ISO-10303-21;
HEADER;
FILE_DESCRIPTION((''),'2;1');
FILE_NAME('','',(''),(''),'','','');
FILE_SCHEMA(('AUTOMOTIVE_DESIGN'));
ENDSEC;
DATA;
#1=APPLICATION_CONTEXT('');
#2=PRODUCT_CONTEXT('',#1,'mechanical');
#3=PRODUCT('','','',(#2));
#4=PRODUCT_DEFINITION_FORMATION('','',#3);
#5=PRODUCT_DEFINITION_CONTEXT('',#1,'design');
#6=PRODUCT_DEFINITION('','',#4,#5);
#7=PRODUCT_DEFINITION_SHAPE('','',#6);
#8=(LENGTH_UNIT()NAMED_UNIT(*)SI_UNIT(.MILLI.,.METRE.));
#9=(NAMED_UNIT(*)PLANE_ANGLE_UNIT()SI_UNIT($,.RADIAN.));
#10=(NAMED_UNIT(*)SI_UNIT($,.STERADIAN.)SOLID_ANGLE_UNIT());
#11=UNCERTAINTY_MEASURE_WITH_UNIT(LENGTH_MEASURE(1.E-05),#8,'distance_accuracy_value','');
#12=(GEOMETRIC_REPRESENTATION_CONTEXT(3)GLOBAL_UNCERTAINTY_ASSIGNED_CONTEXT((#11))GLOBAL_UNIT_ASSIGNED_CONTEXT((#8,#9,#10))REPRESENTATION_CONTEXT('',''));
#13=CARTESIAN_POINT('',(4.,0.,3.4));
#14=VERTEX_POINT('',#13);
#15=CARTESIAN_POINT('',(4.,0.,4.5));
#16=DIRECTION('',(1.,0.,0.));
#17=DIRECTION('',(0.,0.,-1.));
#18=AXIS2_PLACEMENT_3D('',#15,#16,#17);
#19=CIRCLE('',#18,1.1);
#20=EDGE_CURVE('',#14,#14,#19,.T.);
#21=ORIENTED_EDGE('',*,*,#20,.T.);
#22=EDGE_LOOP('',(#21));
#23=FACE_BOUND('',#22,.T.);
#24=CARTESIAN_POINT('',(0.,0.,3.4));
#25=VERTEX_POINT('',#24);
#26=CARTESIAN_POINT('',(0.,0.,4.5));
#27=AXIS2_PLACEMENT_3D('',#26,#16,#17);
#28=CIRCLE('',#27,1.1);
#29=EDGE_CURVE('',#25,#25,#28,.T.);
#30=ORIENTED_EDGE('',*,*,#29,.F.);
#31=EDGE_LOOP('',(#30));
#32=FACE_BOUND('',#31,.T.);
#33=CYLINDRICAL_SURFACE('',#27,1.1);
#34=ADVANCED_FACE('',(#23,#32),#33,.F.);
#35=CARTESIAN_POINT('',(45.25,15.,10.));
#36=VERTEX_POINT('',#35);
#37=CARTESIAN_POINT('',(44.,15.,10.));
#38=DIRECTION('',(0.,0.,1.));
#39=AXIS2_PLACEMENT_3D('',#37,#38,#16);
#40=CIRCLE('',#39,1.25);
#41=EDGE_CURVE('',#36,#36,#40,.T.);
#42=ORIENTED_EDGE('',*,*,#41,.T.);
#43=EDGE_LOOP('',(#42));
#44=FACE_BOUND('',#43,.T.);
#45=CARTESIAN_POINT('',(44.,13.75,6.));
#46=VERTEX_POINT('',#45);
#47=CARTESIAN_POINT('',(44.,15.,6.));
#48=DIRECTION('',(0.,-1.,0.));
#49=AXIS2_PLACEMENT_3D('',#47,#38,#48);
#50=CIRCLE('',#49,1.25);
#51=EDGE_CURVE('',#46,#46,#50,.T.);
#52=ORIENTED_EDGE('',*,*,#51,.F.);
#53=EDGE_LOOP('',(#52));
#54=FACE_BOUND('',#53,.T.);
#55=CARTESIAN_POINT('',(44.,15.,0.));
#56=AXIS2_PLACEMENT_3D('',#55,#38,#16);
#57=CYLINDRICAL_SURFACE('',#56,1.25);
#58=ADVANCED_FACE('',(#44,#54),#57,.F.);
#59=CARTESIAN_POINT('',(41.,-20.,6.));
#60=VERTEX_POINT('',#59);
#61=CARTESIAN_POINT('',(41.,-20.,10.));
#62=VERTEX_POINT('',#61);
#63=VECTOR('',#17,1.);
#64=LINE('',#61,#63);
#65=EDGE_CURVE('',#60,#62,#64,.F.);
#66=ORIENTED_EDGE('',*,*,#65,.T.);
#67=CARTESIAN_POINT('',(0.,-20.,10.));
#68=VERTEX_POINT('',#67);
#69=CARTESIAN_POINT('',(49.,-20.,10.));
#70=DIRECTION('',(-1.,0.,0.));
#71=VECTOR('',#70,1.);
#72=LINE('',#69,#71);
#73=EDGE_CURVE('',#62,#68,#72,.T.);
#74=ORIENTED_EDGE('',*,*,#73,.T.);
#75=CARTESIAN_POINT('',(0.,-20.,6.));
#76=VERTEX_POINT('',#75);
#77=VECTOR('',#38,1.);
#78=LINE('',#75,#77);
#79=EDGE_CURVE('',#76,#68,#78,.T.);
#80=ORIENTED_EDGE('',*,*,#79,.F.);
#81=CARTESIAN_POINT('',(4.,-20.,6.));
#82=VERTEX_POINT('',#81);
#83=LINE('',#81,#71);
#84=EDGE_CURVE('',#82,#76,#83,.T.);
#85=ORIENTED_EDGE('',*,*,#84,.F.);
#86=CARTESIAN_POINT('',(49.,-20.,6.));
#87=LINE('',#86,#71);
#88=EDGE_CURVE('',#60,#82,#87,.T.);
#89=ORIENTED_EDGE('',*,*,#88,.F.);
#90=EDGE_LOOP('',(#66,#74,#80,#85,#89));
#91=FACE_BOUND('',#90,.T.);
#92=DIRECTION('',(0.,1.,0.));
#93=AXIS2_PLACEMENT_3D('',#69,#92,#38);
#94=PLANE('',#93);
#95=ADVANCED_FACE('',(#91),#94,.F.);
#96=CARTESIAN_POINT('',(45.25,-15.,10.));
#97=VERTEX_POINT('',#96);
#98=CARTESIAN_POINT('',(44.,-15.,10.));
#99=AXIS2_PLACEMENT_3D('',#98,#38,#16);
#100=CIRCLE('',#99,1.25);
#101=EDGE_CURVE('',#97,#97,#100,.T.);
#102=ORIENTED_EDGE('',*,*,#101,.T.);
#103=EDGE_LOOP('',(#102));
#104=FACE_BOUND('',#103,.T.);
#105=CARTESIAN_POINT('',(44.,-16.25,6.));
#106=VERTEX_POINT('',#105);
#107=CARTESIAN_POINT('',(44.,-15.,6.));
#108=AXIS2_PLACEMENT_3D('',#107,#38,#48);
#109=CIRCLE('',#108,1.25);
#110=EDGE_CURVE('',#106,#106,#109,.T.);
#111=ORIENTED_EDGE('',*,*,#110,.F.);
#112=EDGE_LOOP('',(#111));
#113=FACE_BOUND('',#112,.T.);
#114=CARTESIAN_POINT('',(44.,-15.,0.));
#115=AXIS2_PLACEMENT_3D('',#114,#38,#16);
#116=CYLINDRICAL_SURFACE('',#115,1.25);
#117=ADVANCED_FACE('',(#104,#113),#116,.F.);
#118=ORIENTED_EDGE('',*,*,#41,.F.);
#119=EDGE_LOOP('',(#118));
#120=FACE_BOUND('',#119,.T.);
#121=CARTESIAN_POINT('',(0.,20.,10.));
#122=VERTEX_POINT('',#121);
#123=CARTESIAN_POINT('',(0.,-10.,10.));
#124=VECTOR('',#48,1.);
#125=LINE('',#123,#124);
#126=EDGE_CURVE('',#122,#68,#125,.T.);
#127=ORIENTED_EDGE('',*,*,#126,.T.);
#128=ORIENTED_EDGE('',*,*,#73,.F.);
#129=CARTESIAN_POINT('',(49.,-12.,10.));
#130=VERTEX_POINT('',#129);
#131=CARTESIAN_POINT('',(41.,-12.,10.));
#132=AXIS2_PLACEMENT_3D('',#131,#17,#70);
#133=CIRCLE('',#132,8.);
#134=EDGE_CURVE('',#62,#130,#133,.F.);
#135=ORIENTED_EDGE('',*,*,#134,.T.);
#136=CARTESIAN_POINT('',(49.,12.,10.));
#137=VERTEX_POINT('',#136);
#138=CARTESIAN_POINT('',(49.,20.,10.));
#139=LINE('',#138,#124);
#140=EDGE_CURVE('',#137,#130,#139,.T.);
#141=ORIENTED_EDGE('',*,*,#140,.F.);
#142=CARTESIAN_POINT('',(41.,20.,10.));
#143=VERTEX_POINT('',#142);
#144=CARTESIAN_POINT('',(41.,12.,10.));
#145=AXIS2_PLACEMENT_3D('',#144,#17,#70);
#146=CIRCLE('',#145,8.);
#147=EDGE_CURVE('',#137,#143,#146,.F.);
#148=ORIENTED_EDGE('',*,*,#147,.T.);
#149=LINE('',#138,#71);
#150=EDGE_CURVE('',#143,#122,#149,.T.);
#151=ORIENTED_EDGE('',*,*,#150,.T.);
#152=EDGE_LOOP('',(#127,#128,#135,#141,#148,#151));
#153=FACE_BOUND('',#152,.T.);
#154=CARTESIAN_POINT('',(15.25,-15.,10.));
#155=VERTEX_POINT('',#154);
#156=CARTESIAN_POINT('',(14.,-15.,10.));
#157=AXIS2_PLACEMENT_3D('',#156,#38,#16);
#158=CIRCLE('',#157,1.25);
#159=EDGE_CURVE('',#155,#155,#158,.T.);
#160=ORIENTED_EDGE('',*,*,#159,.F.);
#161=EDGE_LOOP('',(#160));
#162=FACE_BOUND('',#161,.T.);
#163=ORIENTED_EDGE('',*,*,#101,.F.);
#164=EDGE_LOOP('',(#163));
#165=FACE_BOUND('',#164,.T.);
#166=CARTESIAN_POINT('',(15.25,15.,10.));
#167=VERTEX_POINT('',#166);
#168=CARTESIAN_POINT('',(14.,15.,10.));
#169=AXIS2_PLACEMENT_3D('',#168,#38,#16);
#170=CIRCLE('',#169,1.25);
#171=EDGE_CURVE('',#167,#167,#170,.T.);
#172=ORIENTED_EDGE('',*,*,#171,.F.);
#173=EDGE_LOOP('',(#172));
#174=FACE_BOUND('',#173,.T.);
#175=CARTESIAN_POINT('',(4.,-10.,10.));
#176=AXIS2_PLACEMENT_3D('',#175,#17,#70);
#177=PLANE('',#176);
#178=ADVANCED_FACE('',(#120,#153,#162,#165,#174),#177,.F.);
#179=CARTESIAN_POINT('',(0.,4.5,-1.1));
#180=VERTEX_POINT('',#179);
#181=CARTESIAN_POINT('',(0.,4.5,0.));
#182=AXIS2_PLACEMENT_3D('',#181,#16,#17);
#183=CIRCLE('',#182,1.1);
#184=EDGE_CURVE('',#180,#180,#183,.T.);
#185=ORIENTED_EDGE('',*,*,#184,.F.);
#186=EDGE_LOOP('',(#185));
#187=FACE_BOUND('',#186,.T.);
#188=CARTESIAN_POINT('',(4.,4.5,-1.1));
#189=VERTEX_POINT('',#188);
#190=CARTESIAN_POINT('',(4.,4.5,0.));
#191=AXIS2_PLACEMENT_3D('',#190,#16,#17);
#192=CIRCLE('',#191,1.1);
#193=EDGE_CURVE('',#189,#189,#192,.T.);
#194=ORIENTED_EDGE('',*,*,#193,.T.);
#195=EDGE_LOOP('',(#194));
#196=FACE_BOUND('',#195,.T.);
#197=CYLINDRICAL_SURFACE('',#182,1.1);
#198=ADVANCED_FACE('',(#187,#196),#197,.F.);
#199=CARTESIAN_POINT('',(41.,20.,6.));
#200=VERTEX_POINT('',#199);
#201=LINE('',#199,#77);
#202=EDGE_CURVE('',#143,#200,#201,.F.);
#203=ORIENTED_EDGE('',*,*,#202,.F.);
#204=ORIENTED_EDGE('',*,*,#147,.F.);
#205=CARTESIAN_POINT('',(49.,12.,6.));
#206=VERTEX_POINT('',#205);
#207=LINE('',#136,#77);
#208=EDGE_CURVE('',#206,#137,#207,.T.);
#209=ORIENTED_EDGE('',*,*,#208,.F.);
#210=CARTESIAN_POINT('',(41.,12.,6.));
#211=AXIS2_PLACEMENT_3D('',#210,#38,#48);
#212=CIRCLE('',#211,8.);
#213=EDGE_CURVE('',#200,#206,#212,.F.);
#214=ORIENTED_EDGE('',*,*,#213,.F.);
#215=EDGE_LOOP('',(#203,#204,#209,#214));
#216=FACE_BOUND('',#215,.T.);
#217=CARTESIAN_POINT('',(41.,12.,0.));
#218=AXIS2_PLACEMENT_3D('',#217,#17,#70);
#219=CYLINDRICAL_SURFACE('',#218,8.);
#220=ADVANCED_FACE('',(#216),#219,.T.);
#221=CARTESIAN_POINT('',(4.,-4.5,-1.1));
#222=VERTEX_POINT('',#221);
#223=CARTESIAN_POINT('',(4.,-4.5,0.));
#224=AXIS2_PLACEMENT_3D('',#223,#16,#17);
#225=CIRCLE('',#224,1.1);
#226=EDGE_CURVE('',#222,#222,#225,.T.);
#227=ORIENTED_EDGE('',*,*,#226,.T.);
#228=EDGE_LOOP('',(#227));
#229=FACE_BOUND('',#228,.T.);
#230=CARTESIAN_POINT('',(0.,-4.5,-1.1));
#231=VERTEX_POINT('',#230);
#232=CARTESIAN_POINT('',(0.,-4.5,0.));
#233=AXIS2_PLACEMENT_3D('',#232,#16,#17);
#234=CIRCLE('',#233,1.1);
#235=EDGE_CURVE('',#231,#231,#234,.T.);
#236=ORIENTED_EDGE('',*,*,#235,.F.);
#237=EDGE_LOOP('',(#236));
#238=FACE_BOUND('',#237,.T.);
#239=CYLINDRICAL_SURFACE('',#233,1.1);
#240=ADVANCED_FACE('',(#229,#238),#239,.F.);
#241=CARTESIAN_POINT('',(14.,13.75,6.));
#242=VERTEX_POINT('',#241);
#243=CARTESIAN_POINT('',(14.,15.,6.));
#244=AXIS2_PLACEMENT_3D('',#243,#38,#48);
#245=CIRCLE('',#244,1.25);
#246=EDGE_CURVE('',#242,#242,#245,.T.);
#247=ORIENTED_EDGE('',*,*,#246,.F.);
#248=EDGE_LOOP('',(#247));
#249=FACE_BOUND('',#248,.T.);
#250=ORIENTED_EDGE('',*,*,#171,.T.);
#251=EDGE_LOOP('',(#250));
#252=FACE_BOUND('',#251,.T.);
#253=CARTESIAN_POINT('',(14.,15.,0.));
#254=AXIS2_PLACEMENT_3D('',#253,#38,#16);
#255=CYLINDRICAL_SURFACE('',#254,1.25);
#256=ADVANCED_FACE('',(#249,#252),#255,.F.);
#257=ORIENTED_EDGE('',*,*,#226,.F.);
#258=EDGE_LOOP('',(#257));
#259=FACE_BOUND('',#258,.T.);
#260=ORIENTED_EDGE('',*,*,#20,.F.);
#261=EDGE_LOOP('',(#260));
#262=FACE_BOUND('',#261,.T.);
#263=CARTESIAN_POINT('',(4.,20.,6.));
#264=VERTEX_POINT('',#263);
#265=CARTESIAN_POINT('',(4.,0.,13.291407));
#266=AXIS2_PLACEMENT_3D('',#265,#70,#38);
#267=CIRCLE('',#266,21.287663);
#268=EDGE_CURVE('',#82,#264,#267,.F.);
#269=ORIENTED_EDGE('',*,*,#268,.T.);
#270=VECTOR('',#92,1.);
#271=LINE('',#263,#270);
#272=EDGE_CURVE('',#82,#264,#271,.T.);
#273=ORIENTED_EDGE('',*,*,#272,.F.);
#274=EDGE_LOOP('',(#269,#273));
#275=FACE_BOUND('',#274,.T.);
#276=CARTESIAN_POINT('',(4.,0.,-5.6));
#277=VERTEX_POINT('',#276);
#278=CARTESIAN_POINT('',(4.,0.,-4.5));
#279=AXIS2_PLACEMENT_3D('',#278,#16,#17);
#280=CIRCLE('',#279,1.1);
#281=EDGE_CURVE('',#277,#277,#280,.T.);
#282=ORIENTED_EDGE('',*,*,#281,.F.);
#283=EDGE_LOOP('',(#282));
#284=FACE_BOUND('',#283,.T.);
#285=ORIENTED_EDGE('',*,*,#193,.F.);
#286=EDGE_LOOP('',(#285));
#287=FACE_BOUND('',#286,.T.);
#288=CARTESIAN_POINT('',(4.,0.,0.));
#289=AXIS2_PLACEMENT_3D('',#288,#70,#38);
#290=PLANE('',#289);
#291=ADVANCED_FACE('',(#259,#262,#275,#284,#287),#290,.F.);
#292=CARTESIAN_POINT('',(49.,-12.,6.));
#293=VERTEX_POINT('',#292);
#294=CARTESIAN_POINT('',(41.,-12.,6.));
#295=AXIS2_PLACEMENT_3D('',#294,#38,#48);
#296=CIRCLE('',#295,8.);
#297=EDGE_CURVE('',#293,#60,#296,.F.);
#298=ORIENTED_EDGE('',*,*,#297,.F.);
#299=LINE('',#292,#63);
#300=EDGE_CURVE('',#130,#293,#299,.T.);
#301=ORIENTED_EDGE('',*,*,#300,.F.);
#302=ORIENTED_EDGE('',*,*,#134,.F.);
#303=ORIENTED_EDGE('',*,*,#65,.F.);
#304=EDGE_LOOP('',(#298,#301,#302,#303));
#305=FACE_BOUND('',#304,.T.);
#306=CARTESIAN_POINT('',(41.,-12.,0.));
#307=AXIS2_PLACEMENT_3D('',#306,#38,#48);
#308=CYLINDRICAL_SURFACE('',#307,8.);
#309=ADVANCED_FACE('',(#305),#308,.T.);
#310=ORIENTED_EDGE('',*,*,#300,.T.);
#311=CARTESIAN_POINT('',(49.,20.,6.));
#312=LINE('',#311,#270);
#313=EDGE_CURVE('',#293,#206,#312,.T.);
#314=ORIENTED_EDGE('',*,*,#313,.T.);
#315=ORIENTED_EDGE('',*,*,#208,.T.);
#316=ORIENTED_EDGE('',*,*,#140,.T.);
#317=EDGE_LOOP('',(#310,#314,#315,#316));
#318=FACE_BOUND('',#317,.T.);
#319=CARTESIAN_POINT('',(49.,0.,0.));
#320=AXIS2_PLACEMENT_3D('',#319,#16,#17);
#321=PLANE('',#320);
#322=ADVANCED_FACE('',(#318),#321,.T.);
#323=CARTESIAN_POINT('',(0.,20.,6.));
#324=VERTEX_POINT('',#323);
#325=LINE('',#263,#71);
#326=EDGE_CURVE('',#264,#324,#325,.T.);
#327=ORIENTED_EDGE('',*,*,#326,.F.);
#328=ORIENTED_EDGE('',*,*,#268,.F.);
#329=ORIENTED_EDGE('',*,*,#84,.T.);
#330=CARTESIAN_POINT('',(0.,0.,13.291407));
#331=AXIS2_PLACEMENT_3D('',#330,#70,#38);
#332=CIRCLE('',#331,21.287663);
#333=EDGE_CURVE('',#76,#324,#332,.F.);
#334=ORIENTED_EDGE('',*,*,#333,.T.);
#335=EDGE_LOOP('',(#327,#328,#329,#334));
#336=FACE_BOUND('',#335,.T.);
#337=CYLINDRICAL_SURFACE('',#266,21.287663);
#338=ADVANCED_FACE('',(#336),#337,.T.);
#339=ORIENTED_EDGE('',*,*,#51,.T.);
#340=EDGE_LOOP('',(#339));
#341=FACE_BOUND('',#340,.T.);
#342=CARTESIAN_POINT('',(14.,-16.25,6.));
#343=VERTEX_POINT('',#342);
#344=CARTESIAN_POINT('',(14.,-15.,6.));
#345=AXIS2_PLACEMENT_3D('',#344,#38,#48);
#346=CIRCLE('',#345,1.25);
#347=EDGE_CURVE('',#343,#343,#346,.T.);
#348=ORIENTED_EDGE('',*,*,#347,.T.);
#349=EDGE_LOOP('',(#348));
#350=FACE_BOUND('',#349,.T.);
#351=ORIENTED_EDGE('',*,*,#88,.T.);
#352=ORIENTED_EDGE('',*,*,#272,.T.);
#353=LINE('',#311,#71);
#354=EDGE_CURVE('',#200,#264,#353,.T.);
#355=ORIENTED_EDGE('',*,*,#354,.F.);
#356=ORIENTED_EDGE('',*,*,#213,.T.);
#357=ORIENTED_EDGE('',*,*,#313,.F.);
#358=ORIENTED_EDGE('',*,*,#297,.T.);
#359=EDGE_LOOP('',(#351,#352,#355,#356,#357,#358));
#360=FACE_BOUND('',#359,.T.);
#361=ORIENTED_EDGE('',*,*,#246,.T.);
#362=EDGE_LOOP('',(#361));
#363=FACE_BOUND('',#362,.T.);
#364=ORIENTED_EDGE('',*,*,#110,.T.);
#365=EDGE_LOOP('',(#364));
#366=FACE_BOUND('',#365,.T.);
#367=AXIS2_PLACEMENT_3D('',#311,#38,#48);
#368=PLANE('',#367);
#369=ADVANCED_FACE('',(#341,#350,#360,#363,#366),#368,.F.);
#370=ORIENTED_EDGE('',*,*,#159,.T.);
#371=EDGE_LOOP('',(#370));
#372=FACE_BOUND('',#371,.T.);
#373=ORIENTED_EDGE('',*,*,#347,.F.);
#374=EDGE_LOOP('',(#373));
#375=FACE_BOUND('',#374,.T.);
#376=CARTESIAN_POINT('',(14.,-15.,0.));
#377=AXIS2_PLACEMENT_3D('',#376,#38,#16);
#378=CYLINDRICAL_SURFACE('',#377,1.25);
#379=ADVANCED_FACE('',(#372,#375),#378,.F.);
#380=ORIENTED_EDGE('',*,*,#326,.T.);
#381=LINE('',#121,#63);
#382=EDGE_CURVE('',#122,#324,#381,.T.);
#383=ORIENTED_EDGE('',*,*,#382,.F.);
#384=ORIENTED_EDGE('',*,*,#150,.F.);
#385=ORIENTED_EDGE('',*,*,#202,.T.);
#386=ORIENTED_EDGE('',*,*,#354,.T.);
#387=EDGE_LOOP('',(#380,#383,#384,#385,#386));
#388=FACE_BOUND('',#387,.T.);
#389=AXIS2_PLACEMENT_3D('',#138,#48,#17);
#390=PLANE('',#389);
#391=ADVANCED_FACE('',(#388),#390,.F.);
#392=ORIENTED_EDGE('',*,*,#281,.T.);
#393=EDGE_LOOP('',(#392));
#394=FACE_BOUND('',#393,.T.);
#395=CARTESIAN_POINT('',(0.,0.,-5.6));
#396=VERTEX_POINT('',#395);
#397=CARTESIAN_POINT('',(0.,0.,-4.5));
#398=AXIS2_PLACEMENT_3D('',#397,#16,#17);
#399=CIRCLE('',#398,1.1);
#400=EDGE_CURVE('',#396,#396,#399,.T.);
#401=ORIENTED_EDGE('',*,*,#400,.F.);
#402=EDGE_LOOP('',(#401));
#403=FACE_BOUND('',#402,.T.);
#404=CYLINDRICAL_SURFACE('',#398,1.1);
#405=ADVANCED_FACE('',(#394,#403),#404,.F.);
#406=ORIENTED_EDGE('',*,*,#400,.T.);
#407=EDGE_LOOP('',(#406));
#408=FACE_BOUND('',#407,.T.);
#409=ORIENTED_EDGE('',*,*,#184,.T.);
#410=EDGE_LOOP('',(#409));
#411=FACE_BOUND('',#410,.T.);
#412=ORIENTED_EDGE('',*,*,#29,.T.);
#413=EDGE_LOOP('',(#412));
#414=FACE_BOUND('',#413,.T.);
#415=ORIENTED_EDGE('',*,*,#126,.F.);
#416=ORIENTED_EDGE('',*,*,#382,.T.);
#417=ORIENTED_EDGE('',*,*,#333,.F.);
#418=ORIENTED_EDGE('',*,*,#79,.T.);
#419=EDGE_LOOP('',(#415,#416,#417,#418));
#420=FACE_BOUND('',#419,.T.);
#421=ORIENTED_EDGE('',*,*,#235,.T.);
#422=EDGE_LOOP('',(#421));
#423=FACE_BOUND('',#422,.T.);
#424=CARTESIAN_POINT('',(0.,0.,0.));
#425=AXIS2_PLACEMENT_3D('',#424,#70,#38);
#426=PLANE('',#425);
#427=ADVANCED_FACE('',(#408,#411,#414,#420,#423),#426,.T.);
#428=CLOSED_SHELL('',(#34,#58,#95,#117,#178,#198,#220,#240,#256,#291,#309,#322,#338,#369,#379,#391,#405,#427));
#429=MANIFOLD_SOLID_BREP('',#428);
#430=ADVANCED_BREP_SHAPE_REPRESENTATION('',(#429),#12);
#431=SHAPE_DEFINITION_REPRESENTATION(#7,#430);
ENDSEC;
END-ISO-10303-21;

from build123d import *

# Parameters (mm, degrees)
SKETCH1_W           = 20
SKETCH1_H           = 20
BOSS_EXTRUDE1_DEPTH = 4
SKETCH2_R           = 1.1
CUT_EXTRUDE1_DEPTH  = 5
SKETCH3_W           = 4
SKETCH3_H           = 40
BOSS_EXTRUDE2_DEPTH = 45
SKETCH4_R           = 1.25
CUT_EXTRUDE2_DEPTH  = 10
SKETCH5_W           = 4
SKETCH5_H           = 10
BOSS_EXTRUDE4_DEPTH = 4
SKETCH6_W           = 16
SKETCH6_H           = 10
BOSS_EXTRUDE5_DEPTH = 4
CUT_EXTRUDE3_DEPTH  = 4
FILLET6_R           = 8


with BuildPart() as part:
    # Sketch1 → Boss-Extrude1 (new body)
    with BuildSketch(Plane(origin=(0, 0, 0), x_dir=(0, 0, -1), z_dir=(1, 0, 0))):
        Rectangle(SKETCH1_W, SKETCH1_H)
    extrude(amount=BOSS_EXTRUDE1_DEPTH)

    # Sketch2 → Cut-Extrude1 (cut, through all)
    with BuildSketch(Plane(origin=(4, 0, 0), x_dir=(0, 0, -1), z_dir=(1, 0, 0))):
        with Locations((-4.5, 0)):
            Circle(SKETCH2_R)
        with Locations((4.5, 0)):
            Circle(SKETCH2_R)
        with Locations((0, 4.5)):
            Circle(SKETCH2_R)
        with Locations((0, -4.5)):
            Circle(SKETCH2_R)
    extrude(amount=-CUT_EXTRUDE1_DEPTH, mode=Mode.SUBTRACT)

    # Sketch3 → Boss-Extrude2 (add)
    with BuildSketch(Plane(origin=(4, 0, 0), x_dir=(0, 0, -1), z_dir=(1, 0, 0))):
        with Locations((-8, 0)):
            Rectangle(SKETCH3_W, SKETCH3_H)
    extrude(amount=BOSS_EXTRUDE2_DEPTH)

    # Sketch4 → Cut-Extrude2 (cut)
    with BuildSketch(Plane.XY.offset(10)):
        with Locations((14, 15)):
            Circle(SKETCH4_R)
        with Locations((14, -15)):
            Circle(SKETCH4_R)
        with Locations((44, 15)):
            Circle(SKETCH4_R)
        with Locations((44, -15)):
            Circle(SKETCH4_R)
    extrude(amount=-CUT_EXTRUDE2_DEPTH, mode=Mode.SUBTRACT)

    # Sketch5 → Boss-Extrude4 (add)
    with BuildSketch(Plane.ZY.offset(-4)):
        with Locations((8, -15)):
            Rectangle(SKETCH5_W, SKETCH5_H)
        with Locations((8, 15)):
            Rectangle(SKETCH5_W, SKETCH5_H)
    extrude(amount=BOSS_EXTRUDE4_DEPTH)

    # Sketch6 → Boss-Extrude5 (add)
    with BuildSketch(Plane.ZY):
        with Locations((-2, 15)):
            Rectangle(SKETCH6_W, SKETCH6_H)
        with Locations((-2, -15)):
            Rectangle(SKETCH6_W, SKETCH6_H)
    extrude(amount=-BOSS_EXTRUDE5_DEPTH)

    # Sketch7 → Cut-Extrude3 (cut)
    with BuildSketch(Plane.ZY):
        with BuildLine():
            Line((-10, -20), (6, -20))
            ThreePointArc((6, -20), (-7.996256634, 0), (6, 20))
            Line((6, 20), (-10, 20))
            Line((-10, 20), (-10, -20))
        make_face()
    extrude(amount=-CUT_EXTRUDE3_DEPTH, mode=Mode.SUBTRACT)

    # Fillet6
    fillet6_edges = [part.edges().sort_by_distance(p)[0] for p in [
        (49, -20, 8),
        (49, 20, 8),
    ]]
    fillet(fillet6_edges, radius=FILLET6_R)


solid = part.part
